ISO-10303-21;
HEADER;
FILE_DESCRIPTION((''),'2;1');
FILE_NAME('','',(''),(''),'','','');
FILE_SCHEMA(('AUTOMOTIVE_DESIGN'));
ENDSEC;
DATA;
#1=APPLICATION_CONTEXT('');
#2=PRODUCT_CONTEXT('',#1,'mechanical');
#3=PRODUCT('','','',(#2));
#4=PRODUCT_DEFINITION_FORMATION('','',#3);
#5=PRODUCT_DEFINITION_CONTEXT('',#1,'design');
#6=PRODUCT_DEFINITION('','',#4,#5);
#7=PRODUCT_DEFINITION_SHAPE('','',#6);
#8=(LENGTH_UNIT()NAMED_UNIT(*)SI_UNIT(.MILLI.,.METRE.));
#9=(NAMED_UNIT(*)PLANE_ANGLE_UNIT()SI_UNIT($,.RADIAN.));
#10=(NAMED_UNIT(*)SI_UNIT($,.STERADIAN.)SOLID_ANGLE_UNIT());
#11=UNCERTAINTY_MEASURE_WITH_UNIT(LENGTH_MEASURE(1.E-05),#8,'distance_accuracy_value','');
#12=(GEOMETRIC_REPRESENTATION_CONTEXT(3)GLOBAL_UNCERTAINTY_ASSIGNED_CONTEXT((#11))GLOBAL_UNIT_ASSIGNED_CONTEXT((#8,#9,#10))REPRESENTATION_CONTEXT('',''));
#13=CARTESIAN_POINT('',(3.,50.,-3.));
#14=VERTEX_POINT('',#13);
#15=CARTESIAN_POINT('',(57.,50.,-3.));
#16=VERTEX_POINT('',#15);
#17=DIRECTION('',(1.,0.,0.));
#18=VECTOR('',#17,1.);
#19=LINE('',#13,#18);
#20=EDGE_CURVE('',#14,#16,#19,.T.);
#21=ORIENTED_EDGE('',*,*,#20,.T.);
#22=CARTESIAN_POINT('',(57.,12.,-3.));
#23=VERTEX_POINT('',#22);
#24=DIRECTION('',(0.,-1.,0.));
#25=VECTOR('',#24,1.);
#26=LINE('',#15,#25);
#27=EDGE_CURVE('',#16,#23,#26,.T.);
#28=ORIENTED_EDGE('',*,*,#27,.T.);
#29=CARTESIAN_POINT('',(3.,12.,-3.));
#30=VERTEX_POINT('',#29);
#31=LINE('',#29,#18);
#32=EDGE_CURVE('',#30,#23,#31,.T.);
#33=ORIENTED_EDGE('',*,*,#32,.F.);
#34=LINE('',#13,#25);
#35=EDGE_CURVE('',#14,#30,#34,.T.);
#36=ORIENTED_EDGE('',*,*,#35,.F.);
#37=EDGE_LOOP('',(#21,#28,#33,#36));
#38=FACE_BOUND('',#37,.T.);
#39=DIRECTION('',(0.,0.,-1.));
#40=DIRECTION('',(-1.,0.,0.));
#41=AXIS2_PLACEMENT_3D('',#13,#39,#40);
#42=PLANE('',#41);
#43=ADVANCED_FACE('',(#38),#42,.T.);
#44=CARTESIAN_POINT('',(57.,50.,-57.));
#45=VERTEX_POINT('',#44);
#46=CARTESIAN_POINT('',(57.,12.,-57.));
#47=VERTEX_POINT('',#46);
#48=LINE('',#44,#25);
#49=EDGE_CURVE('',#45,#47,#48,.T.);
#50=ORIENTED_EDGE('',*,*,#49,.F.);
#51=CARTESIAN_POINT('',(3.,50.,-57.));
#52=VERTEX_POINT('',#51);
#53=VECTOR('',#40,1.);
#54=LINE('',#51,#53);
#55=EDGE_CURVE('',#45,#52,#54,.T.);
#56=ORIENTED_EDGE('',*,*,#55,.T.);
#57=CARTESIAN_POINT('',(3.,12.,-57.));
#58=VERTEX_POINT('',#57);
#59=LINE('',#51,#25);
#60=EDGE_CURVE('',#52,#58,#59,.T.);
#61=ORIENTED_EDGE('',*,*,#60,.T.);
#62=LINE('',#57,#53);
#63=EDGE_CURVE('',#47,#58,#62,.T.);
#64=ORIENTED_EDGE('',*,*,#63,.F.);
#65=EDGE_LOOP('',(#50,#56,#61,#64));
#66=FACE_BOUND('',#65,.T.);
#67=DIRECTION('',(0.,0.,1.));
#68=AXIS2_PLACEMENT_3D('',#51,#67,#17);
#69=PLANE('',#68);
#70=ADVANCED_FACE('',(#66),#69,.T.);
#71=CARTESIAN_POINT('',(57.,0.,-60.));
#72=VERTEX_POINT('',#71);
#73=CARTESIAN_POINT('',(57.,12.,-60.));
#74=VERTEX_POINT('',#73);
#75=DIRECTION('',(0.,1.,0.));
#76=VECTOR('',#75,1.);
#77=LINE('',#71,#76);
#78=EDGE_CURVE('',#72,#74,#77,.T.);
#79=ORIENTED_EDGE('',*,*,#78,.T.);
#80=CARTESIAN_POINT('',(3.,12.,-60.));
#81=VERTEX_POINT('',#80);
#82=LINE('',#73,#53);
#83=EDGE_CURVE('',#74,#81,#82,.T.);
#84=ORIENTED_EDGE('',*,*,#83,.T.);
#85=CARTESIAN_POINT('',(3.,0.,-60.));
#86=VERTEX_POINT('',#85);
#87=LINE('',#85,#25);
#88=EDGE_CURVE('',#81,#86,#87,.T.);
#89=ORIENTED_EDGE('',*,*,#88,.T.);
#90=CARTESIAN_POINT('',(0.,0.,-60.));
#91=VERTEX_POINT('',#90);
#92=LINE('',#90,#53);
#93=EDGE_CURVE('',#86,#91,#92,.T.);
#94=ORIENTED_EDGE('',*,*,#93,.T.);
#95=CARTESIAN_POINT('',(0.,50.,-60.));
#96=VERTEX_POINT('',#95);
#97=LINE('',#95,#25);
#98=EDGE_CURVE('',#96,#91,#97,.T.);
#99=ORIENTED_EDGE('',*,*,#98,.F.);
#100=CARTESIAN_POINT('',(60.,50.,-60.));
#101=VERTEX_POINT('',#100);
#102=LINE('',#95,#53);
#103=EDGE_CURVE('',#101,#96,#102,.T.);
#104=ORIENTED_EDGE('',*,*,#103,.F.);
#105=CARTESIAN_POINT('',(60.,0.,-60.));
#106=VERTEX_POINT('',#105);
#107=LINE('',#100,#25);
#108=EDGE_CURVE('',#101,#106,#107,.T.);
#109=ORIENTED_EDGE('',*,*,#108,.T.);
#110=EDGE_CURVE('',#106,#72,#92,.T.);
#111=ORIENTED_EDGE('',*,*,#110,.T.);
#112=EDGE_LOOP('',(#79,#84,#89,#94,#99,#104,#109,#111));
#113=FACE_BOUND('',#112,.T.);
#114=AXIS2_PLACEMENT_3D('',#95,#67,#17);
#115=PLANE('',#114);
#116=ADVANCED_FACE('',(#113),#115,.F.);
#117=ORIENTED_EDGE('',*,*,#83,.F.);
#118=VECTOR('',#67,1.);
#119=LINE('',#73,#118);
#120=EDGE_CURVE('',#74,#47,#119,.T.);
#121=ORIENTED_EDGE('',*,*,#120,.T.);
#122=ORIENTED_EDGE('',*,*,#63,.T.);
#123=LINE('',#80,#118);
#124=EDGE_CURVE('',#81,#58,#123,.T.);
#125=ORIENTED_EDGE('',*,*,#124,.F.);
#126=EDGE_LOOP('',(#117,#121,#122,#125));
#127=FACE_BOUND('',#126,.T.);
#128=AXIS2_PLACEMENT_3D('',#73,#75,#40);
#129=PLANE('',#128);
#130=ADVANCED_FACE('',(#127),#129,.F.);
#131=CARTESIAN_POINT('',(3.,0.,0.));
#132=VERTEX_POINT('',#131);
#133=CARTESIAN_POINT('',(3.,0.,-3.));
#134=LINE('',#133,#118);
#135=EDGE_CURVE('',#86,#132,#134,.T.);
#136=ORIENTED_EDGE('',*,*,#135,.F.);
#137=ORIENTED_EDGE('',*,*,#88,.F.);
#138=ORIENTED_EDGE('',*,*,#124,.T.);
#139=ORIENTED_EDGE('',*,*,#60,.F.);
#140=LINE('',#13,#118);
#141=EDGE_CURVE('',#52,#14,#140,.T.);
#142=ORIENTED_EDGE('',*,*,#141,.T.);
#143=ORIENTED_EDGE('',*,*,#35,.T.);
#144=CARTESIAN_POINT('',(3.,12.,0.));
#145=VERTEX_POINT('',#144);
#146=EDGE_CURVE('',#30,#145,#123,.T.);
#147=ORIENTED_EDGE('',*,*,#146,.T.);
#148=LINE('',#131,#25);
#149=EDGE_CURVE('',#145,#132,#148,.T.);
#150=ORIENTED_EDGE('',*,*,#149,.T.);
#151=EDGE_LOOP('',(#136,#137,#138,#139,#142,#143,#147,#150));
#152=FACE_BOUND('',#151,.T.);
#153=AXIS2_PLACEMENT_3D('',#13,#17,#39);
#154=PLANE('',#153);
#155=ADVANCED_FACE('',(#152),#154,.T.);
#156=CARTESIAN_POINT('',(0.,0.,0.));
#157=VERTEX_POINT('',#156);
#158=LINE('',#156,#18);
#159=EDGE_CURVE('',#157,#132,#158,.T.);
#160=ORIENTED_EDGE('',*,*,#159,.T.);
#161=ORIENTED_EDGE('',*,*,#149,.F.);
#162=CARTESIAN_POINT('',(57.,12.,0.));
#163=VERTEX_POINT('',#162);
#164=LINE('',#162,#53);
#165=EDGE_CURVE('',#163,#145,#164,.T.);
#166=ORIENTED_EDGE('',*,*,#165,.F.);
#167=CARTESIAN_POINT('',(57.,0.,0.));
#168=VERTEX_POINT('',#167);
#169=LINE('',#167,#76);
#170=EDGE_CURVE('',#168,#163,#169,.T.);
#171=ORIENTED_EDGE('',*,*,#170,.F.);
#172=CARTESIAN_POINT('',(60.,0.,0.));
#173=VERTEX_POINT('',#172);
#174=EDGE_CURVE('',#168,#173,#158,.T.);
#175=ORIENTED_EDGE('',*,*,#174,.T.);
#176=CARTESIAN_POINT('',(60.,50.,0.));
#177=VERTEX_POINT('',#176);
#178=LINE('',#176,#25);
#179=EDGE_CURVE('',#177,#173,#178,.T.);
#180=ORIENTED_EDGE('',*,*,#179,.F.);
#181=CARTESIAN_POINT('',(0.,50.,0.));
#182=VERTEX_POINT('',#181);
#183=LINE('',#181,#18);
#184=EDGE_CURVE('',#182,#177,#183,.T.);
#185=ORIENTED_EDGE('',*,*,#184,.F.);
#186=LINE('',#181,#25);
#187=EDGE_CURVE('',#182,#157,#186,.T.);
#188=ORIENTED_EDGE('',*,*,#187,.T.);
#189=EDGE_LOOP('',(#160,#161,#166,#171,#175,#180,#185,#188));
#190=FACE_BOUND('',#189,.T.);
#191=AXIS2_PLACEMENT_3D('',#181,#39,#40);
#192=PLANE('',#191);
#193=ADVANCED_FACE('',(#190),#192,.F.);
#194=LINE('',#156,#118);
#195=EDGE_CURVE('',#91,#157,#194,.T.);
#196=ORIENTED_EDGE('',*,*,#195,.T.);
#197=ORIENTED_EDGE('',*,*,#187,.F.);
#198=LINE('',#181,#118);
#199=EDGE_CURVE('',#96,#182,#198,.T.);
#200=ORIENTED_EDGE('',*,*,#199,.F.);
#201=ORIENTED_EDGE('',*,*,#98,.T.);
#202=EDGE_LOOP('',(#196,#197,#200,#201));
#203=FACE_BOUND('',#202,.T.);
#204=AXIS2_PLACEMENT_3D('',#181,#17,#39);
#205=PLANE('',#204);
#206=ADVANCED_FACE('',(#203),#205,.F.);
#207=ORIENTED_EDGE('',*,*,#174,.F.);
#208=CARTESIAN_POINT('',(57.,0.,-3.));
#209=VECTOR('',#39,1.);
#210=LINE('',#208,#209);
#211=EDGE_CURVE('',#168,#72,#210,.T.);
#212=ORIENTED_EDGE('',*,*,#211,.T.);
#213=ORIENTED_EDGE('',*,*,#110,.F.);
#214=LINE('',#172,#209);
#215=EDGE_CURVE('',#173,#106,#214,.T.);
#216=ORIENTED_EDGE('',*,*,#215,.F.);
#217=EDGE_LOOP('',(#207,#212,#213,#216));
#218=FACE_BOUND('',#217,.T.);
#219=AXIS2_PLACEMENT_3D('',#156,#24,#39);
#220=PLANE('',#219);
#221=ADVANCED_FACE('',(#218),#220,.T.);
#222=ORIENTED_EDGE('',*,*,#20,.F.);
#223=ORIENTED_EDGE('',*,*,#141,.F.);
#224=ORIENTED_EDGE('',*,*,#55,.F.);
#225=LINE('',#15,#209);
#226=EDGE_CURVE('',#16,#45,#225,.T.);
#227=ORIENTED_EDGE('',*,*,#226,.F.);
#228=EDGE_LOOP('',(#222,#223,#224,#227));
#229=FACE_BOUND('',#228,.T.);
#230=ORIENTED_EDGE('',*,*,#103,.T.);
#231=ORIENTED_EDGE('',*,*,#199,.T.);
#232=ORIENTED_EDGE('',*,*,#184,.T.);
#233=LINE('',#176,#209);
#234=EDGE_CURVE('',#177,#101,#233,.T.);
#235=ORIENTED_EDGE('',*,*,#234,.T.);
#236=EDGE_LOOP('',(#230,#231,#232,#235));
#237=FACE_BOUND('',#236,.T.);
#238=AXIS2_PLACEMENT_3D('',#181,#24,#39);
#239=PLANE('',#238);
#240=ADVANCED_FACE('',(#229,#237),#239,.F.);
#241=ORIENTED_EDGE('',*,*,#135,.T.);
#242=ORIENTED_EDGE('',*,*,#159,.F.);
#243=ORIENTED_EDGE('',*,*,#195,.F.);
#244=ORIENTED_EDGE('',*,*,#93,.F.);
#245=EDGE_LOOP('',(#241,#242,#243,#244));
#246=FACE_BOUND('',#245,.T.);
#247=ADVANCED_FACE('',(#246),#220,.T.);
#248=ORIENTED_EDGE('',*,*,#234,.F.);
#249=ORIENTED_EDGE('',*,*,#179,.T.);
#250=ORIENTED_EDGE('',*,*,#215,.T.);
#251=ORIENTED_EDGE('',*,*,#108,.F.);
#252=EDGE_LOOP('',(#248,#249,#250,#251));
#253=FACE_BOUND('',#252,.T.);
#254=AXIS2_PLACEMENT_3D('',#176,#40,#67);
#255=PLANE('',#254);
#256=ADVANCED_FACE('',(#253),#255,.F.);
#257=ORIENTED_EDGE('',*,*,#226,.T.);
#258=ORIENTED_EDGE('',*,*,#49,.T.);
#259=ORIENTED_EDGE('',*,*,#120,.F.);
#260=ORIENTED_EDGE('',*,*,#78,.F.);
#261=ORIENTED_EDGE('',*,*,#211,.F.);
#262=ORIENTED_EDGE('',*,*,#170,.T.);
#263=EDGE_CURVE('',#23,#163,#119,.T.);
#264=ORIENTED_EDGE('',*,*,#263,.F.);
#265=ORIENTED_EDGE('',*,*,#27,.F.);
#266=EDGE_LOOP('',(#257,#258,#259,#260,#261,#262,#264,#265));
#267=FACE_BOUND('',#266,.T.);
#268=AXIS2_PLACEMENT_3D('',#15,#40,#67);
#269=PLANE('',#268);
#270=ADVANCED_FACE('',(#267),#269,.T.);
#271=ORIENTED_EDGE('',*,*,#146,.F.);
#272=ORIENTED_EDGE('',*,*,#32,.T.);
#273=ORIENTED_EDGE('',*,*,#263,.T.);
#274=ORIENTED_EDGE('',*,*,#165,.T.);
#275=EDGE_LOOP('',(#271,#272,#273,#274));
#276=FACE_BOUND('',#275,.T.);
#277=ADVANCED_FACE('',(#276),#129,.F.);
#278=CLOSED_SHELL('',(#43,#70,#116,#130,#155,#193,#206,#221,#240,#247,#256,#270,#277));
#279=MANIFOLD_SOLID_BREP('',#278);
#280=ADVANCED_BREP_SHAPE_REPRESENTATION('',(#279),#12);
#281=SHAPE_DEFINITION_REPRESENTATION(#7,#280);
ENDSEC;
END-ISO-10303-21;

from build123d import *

# Parameters (mm, degrees)
SKETCH_1_W          = 60
SKETCH_1_H          = 60
EXTRUDE_1_DEPTH     = 50
SKETCH_2_W          = 54
SKETCH_2_H          = 54
CUT_EXTRUDE_2_DEPTH = 99.488578018
SKETCH_3_W          = 54
SKETCH_3_H          = 12
CUT_EXTRUDE_3_DEPTH = 99.488578018


with BuildPart() as part:
    # 草图1 → 凸台-拉伸1 (new body)
    with BuildSketch(Plane(origin=(0, 0, 0), x_dir=(1, 0, 0), z_dir=(0, 1, 0))):
        with Locations((30, 30)):
            Rectangle(SKETCH_1_W, SKETCH_1_H)
    extrude(amount=EXTRUDE_1_DEPTH)

    # 草图2 → 切除-拉伸2 (cut, through all)
    with BuildSketch(Plane(origin=(0, 0, 0), x_dir=(1, 0, 0), z_dir=(0, 1, 0))):
        with Locations((30, 30)):
            Rectangle(SKETCH_2_W, SKETCH_2_H)
    extrude(amount=CUT_EXTRUDE_2_DEPTH, mode=Mode.SUBTRACT)

    # 草图3 → 切除-拉伸3 (cut, through all)
    with BuildSketch(Plane.XY):
        with Locations((30, 6)):
            Rectangle(SKETCH_3_W, SKETCH_3_H)
    extrude(amount=-CUT_EXTRUDE_3_DEPTH, mode=Mode.SUBTRACT)


solid = part.part
